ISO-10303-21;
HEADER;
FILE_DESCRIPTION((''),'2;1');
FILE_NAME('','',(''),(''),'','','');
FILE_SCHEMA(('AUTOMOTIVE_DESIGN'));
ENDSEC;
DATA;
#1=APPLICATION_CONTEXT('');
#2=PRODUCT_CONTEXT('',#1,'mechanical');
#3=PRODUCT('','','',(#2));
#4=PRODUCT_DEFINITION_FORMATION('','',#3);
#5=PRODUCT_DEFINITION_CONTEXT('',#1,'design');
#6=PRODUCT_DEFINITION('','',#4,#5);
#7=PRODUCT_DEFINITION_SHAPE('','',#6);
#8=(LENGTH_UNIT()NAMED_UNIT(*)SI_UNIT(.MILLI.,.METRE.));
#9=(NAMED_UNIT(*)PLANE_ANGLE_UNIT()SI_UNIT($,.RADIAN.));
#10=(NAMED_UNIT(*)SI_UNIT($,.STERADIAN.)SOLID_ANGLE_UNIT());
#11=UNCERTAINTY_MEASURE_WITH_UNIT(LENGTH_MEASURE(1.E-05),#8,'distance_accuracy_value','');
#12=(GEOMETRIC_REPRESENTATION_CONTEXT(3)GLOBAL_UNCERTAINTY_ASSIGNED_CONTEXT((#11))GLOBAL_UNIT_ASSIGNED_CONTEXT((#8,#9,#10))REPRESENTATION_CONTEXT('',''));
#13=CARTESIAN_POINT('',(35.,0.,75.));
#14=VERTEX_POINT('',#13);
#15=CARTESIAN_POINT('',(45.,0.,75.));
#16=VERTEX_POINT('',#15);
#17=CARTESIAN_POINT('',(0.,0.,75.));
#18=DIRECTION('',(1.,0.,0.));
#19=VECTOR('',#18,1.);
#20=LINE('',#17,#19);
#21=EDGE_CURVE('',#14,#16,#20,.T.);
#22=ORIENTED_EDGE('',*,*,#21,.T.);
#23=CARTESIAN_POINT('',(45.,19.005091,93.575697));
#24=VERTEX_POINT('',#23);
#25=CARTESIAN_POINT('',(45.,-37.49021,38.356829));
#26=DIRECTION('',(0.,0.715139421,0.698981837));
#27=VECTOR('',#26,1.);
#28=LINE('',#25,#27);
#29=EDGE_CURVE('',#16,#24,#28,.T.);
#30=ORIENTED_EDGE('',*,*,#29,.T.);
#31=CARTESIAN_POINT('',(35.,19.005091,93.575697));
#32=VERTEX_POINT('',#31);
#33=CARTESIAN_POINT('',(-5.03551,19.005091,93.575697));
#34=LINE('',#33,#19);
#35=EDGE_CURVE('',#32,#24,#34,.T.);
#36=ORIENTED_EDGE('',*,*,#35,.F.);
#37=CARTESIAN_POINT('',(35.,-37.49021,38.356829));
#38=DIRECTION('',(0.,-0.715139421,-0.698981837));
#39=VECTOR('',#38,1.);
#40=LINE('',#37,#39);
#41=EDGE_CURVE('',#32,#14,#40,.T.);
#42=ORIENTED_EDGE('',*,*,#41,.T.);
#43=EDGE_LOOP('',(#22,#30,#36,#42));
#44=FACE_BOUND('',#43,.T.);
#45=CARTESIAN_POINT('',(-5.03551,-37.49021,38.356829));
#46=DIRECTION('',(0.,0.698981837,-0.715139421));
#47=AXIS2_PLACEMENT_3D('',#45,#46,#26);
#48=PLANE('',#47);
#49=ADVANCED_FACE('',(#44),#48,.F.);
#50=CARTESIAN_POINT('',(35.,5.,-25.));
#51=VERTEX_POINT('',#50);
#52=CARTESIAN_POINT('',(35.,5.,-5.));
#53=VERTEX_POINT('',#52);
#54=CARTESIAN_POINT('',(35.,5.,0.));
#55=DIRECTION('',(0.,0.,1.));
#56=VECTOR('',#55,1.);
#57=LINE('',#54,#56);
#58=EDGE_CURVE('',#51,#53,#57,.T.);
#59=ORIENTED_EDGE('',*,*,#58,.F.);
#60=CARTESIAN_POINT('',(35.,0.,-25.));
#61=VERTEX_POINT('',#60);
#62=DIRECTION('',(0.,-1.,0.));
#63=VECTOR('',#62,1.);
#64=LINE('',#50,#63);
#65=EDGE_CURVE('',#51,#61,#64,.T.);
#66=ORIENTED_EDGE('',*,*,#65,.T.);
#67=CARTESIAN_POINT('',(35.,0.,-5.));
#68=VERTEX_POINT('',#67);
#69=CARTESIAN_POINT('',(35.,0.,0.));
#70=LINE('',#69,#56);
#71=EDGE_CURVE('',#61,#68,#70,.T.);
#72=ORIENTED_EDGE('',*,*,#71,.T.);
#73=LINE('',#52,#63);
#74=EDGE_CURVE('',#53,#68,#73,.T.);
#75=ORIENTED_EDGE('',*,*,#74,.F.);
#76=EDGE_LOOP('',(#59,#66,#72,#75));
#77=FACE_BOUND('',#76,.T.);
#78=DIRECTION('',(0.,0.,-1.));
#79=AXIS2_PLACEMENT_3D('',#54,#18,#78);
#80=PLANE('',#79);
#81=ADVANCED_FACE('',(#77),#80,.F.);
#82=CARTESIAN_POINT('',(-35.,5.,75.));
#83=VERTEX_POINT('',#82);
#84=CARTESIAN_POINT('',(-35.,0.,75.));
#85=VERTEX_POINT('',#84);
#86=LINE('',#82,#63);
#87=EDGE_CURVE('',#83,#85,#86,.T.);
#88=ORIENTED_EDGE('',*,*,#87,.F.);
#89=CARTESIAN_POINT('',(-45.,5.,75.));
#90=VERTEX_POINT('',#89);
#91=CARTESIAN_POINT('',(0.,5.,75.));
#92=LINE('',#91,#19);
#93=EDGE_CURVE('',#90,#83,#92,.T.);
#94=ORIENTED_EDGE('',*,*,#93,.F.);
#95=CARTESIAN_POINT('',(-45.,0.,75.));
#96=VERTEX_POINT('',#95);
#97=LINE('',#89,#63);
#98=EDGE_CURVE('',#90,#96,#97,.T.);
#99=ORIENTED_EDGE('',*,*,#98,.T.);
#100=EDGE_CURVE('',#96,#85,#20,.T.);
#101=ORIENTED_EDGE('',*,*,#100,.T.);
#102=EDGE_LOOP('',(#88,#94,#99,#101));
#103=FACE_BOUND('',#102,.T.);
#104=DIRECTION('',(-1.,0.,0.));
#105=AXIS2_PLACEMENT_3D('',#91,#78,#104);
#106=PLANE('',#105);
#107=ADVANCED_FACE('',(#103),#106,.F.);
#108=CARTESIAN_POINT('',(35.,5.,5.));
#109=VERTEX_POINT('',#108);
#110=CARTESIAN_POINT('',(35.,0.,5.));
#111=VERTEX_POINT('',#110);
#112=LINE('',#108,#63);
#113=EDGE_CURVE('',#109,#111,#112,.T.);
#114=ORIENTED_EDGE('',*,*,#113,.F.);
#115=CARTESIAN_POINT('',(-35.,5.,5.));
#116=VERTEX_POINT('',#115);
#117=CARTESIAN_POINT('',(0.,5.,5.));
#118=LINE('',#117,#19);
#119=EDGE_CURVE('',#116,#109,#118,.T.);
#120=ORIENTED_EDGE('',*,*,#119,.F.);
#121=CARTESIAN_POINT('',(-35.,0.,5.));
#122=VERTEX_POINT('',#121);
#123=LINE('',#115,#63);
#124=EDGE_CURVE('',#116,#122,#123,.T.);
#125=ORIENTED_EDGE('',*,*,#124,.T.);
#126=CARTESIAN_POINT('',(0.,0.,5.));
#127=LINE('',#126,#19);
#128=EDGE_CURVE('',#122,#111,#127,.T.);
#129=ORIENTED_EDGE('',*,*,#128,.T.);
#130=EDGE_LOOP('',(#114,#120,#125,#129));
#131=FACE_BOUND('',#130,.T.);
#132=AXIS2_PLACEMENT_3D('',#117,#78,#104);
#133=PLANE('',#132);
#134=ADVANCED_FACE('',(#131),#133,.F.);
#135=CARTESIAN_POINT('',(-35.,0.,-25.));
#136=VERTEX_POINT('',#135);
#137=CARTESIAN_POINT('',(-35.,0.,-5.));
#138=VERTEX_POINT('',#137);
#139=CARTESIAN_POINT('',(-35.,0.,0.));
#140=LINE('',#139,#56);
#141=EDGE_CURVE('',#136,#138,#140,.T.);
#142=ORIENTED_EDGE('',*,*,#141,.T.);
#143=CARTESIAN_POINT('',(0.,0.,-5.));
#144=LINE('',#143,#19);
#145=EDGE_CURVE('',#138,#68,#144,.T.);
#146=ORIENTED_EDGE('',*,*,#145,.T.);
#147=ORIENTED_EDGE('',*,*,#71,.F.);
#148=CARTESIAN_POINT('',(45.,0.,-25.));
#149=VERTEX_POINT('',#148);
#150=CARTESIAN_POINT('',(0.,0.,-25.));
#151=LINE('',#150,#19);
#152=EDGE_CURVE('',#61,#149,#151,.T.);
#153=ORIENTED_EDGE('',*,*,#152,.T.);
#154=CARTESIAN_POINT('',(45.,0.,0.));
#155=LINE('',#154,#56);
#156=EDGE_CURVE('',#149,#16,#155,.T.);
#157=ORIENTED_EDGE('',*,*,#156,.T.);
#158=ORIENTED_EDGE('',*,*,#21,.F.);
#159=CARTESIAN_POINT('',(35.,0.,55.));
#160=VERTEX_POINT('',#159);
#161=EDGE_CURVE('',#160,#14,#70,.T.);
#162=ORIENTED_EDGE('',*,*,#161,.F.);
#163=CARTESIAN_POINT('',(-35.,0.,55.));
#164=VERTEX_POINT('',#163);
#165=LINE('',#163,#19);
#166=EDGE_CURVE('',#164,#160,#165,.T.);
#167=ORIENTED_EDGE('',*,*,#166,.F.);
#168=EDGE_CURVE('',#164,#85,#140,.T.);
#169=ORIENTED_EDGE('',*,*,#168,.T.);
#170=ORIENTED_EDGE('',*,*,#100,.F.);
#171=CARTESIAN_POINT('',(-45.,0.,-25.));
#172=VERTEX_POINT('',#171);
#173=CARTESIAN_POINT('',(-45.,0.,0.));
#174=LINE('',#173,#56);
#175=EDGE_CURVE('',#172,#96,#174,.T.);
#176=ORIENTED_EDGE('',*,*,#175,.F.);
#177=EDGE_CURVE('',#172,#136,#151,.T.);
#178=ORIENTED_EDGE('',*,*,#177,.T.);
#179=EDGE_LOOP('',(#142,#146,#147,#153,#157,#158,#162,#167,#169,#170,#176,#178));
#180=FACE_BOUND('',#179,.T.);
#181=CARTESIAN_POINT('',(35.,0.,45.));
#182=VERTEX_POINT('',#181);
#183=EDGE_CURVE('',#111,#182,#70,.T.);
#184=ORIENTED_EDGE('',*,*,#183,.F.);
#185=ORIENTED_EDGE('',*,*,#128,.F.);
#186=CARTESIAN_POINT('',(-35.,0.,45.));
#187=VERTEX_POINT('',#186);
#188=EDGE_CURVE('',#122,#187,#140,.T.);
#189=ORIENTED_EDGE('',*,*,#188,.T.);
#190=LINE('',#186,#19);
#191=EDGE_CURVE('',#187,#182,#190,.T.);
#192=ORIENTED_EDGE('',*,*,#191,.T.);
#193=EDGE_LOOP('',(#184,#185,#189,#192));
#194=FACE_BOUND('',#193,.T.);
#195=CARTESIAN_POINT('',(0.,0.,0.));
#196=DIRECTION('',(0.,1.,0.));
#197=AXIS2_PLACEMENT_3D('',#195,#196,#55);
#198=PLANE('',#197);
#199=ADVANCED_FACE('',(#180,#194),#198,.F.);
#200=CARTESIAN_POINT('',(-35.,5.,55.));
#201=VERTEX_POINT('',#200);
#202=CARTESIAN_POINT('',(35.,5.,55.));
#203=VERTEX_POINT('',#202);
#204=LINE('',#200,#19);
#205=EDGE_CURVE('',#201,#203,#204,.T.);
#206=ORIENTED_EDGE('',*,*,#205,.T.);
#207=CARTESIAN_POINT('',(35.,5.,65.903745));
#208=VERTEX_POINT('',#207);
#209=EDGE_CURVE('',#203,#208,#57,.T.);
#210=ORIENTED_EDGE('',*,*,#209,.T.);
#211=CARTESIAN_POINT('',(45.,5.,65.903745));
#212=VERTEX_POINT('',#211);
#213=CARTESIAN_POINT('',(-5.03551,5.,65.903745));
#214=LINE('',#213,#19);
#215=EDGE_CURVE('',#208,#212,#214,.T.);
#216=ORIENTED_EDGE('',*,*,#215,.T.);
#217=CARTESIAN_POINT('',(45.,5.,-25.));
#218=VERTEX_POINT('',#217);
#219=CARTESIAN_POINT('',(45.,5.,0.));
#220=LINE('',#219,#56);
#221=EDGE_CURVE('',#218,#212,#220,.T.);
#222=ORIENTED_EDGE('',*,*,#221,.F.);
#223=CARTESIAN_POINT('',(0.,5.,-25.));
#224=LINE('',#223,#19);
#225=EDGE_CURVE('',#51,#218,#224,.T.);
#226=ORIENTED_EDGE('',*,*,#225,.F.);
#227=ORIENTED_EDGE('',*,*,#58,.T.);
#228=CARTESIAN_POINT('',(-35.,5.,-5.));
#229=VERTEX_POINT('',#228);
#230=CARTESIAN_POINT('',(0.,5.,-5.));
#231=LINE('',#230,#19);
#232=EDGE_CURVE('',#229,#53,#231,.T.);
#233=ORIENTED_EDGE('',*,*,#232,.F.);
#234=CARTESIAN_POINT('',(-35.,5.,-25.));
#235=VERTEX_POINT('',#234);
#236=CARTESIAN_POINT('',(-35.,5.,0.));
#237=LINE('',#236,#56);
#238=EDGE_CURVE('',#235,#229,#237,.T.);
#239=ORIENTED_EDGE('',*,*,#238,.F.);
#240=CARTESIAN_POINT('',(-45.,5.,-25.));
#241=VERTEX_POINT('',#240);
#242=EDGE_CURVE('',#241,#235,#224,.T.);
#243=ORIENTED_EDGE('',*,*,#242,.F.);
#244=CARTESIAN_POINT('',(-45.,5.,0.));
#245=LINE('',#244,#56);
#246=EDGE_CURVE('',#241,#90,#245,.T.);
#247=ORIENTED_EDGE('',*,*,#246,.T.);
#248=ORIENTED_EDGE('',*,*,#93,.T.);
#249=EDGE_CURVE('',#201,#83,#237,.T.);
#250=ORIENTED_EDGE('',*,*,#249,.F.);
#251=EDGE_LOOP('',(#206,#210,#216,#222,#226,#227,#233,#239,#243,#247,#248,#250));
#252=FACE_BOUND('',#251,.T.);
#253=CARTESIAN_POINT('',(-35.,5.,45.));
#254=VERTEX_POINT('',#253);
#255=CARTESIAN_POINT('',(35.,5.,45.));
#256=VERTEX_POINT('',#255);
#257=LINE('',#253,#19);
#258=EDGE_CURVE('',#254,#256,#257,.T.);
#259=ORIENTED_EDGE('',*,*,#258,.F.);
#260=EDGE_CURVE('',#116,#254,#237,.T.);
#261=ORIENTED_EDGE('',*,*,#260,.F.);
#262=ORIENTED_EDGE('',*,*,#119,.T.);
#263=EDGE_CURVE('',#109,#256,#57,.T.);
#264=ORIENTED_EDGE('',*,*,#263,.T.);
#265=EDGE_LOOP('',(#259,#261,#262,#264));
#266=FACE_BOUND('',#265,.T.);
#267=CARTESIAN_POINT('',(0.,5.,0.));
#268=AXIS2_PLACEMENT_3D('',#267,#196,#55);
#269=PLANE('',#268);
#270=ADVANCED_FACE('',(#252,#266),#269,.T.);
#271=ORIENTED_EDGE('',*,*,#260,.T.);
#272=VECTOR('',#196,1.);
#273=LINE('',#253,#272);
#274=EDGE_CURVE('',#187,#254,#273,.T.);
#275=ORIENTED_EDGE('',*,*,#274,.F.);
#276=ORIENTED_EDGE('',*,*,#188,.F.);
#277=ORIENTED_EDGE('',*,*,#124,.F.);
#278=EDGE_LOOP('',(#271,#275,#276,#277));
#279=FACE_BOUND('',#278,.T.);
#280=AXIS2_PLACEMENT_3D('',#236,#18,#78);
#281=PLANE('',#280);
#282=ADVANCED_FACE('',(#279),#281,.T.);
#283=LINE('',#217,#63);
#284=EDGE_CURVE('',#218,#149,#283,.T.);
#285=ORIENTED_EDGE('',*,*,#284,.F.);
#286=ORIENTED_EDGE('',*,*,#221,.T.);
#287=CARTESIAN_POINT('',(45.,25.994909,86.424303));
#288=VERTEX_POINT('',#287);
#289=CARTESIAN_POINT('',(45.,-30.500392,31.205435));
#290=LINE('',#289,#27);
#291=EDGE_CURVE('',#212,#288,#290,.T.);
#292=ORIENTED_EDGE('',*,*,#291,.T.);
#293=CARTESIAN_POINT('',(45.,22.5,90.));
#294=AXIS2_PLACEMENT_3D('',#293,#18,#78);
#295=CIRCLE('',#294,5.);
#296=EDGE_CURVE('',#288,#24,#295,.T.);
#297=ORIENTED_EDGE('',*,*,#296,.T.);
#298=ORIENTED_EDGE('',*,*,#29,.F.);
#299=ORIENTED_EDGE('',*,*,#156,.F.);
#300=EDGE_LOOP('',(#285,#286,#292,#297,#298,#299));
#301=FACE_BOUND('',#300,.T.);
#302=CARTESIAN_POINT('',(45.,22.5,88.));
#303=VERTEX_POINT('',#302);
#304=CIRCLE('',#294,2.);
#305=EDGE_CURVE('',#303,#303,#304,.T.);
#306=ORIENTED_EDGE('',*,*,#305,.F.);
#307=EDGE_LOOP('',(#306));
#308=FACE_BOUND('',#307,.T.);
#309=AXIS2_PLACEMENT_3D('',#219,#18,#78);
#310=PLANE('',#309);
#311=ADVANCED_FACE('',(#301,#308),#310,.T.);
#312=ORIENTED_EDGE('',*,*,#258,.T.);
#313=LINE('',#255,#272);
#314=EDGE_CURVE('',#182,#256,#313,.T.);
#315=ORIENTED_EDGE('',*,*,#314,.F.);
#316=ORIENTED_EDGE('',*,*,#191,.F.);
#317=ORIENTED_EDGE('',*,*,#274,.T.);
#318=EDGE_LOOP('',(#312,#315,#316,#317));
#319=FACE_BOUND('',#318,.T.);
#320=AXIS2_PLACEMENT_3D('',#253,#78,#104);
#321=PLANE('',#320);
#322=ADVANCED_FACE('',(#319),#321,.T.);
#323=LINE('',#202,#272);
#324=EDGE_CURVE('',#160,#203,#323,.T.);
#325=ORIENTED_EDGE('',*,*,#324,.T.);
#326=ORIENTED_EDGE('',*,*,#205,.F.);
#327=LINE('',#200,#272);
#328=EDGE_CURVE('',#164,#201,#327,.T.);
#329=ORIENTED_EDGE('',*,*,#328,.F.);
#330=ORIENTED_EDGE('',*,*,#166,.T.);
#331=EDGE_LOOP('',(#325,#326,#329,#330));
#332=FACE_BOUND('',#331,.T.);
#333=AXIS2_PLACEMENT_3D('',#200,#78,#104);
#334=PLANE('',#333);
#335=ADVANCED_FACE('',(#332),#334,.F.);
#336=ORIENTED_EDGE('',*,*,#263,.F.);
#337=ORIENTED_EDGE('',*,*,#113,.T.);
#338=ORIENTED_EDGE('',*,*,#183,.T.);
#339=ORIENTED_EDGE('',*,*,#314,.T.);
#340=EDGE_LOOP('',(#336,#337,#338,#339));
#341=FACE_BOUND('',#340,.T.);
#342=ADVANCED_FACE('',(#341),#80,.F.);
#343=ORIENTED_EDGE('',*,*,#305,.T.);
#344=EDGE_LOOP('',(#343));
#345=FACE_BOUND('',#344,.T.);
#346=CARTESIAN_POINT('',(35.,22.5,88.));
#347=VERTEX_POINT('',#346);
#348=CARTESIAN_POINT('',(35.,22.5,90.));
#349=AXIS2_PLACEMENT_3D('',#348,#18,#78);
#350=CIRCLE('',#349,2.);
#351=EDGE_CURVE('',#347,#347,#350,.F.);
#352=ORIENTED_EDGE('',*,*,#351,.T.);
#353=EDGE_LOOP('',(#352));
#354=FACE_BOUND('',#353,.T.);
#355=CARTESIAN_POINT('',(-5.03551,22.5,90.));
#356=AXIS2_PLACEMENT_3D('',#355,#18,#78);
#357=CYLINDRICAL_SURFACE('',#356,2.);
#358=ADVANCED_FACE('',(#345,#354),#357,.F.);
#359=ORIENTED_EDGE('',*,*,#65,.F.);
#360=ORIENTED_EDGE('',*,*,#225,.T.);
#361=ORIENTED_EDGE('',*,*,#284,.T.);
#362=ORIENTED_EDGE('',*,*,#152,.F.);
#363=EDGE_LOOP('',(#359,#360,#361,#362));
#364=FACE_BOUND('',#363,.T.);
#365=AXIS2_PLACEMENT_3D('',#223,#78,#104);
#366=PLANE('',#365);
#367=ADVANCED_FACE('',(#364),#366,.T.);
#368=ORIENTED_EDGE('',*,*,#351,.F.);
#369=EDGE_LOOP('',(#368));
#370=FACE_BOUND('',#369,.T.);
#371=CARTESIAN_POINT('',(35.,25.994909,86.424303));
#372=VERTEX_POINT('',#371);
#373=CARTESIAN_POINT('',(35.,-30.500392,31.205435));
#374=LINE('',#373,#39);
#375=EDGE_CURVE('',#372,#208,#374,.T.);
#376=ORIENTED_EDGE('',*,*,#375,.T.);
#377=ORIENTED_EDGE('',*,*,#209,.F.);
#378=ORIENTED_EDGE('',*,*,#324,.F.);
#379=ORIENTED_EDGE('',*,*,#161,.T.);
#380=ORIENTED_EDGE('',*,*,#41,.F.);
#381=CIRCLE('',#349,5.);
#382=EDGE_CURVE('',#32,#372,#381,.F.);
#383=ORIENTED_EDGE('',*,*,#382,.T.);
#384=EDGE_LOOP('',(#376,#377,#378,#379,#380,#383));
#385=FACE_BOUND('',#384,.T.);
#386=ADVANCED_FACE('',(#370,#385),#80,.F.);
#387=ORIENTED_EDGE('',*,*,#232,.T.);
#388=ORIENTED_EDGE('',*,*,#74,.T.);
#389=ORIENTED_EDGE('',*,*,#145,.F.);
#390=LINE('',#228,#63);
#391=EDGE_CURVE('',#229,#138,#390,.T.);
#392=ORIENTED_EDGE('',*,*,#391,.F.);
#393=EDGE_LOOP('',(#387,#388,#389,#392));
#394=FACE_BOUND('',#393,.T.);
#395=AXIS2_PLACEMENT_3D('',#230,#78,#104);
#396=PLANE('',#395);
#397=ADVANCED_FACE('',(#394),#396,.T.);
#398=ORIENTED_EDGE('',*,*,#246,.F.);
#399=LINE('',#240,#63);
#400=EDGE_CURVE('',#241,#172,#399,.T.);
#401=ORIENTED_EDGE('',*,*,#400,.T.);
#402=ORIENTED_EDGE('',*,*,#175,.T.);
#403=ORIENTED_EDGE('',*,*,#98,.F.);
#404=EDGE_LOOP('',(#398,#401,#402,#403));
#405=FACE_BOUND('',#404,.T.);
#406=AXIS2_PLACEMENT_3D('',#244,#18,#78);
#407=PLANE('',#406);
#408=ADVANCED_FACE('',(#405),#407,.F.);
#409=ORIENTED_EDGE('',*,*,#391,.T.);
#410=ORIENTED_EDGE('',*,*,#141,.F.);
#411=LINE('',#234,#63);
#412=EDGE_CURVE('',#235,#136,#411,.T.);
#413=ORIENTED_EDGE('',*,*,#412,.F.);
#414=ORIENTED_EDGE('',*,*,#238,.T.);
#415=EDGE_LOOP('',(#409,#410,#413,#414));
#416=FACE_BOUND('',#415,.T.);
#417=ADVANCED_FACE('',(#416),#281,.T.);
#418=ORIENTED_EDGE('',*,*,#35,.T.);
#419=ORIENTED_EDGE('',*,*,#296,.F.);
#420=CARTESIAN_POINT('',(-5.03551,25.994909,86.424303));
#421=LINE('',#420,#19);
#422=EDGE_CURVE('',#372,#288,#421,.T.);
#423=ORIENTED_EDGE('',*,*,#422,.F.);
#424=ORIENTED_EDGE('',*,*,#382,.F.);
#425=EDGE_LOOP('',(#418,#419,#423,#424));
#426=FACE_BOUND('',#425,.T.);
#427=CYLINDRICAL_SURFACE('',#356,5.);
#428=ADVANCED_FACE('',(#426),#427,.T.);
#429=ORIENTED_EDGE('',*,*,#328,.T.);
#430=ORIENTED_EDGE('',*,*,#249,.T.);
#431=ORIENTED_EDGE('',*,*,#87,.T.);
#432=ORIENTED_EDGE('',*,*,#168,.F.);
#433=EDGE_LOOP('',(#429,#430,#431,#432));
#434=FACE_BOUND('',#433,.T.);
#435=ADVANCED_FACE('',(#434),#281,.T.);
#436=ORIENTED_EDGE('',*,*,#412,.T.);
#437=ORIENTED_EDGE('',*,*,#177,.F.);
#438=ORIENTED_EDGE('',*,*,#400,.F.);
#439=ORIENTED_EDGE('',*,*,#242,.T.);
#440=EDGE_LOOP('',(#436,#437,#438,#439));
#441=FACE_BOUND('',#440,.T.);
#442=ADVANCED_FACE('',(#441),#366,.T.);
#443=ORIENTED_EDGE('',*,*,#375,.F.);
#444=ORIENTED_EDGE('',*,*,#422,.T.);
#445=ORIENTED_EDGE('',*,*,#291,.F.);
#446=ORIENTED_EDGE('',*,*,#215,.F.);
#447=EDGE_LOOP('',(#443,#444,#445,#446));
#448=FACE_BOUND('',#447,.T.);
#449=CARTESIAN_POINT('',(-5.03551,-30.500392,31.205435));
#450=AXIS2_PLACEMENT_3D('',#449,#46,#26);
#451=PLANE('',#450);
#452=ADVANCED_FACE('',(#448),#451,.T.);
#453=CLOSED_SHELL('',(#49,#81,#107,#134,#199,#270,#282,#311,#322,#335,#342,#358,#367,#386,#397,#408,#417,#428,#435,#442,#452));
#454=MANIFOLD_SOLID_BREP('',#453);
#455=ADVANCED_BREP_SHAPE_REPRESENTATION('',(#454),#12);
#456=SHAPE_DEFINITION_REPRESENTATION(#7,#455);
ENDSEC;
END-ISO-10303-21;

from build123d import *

# Parameters (mm, degrees)
ESQUISSE1_W        = 70
ESQUISSE1_H        = 10
BOSS_EXTRU_1_DEPTH = 5
ESQUISSE3_R        = 5
ESQUISSE3_R_2      = 2
BOSS_EXTRU_2_DEPTH = 10


with BuildPart() as part:
    # Esquisse1 → Boss.-Extru.1 (new body)
    with BuildSketch(Plane(origin=(0, 0, 0), x_dir=(1, 0, 0), z_dir=(0, 1, 0))):
        Polygon((-35, -45), (-35, -5), (-35, 5), (-35, 25), (-45, 25), (-45, -75), (-35, -75), (-35, -55), align=None)
        Rectangle(ESQUISSE1_W, ESQUISSE1_H)
        Polygon((35, 5), (35, -5), (35, -45), (35, -55), (35, -75), (45, -75), (45, 25), (35, 25), align=None)
        with Locations((0, -50)):
            Rectangle(ESQUISSE1_W, ESQUISSE1_H)
    extrude(amount=BOSS_EXTRU_1_DEPTH)

    # Esquisse3 → Boss.-Extru.2 (add)
    with BuildSketch(Plane(origin=(45, 0, 0), x_dir=(0, 0, -1), z_dir=(1, 0, 0))):
        with BuildLine():
            Line((-93.575697107, 19.005090817), (-75, 0))
            Line((-75, 0), (-75, 5))
            Line((-75, 5), (-65.90374461, 5))
            Line((-65.90374461, 5), (-86.424302893, 25.994909183))
            ThreePointArc((-86.424302893, 25.994909183), (-85.369747008, 24.386996882), (-85, 22.5))
            ThreePointArc((-85, 22.5), (-88.113003118, 17.869747008), (-93.575697107, 19.005090817))
        make_face()
        with Locations((-90, 22.5)):
            Circle(ESQUISSE3_R)
        with Locations((-90, 22.5)):
            Circle(ESQUISSE3_R_2, mode=Mode.SUBTRACT)
    extrude(amount=-BOSS_EXTRU_2_DEPTH)


solid = part.part
